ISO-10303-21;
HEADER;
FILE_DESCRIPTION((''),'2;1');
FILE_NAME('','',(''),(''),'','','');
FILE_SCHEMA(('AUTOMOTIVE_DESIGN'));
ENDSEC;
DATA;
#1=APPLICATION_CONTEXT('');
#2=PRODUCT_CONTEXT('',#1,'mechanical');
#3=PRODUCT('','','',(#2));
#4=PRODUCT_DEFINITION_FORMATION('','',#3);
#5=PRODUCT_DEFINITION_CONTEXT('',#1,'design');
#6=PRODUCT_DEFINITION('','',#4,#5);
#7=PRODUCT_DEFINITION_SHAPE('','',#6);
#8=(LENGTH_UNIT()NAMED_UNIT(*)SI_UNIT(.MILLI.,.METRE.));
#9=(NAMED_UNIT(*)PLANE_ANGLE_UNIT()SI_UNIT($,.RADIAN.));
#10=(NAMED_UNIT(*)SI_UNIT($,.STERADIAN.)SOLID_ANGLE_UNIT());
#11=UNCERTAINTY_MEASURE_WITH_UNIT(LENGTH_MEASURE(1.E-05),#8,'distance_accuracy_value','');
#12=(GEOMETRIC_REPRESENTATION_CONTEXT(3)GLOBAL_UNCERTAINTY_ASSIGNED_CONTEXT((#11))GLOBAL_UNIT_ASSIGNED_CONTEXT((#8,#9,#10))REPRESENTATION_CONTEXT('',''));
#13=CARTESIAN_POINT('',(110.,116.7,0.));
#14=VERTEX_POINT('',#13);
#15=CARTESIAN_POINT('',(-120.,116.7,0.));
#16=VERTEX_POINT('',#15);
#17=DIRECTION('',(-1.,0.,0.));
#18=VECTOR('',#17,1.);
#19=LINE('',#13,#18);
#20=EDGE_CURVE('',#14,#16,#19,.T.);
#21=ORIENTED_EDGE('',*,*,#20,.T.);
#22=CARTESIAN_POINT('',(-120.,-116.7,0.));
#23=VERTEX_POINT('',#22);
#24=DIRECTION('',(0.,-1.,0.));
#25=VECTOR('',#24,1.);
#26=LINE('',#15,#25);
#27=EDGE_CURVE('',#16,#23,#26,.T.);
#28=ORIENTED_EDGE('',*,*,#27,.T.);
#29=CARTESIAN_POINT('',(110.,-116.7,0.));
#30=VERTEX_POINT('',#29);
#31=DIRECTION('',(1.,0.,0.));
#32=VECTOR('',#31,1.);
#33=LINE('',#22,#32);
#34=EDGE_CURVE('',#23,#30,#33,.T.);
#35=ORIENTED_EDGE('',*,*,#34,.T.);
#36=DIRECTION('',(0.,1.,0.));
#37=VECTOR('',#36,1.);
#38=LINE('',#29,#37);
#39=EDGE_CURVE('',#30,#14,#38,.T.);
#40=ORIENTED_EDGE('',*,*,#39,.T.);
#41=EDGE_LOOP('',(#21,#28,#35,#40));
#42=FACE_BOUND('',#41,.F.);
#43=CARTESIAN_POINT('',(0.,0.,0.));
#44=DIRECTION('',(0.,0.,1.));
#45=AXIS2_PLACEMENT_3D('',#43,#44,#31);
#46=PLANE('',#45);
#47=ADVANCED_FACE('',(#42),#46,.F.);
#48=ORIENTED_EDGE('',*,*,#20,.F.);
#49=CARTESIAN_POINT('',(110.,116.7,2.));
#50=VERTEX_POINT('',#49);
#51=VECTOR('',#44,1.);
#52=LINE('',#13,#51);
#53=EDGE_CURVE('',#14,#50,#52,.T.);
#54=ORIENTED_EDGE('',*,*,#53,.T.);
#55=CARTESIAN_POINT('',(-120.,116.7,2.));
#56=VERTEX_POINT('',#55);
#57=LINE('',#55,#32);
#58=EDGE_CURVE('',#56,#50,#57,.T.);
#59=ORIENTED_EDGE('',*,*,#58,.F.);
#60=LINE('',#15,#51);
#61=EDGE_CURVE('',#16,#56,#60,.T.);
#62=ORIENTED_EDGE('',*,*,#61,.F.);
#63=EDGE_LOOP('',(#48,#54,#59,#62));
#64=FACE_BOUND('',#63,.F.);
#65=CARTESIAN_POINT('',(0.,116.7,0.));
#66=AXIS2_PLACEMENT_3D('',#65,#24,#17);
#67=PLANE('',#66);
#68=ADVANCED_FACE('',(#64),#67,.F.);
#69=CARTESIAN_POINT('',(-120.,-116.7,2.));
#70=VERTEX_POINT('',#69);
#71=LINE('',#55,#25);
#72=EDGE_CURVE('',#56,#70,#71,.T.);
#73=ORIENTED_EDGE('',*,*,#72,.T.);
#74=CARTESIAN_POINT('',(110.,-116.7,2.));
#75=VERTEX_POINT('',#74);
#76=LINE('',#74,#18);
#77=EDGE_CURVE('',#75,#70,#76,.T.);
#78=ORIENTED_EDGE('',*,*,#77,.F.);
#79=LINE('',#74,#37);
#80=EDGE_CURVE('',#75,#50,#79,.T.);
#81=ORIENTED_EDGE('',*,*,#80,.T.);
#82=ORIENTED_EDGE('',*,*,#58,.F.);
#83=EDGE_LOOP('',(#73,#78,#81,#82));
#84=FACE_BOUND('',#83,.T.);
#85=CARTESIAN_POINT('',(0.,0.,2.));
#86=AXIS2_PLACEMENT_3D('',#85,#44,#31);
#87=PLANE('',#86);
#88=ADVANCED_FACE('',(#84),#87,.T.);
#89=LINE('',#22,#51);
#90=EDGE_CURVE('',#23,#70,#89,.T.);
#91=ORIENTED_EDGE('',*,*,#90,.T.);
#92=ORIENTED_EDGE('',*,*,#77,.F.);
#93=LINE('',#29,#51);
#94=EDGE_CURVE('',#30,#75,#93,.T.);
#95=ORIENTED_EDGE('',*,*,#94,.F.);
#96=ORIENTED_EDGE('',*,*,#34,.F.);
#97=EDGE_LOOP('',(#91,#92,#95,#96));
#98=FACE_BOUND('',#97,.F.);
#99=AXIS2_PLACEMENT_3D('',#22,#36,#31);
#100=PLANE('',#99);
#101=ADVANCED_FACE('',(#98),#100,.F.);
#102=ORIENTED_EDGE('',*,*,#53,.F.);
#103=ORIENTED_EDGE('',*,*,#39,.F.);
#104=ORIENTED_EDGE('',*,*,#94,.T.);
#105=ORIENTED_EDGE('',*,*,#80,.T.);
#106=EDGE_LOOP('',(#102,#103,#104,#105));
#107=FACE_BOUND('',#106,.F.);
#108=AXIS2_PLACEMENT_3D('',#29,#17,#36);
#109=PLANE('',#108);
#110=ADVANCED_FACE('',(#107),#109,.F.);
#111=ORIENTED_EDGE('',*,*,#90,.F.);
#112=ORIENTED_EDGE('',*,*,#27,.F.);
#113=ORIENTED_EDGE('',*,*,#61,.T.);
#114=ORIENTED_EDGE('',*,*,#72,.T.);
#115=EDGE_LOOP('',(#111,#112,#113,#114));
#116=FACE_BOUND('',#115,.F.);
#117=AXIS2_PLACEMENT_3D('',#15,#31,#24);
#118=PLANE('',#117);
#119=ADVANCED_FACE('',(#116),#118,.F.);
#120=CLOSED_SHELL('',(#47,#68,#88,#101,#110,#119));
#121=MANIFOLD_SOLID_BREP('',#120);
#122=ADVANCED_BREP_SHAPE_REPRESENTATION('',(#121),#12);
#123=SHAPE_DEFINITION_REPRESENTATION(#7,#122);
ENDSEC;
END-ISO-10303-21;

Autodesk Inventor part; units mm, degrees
ref_plane "YZ Plane" through (0, 0, 0) normal (1, 0, 0) x (0, 1, 0)
ref_plane "XZ Plane" through (0, 0, 0) normal (0, 1, 0) x (-1, 0, 0)
ref_plane "XY Plane" through (0, 0, 0) normal (0, 0, 1) x (1, 0, 0)
sketch "Routing Outline1_Bottom" plane through (0, 0, 0) normal (0, 0, 1) x (1, 0, 0)
  line L0 (-120, -116.7) -> (110, -116.7)
  line L1 (110, -116.7) -> (110, 116.7)
  line L2 (110, 116.7) -> (-120, 116.7)
  line L3 (-120, 116.7) -> (-120, -116.7)
  line L4 (-120, 0) -> (110, 0) construction
  line L5 (-5, 116.7) -> (-5, -116.7) construction
  line L6 (0, -163.38) -> (0, 163.38) projected
  point P0 (-5, 0)
  point P1 (0, 116.7)
  dimension "d6" = 116.7
  dimension "d10" = 115
  dimension "d11" = 5
extrude "Extrusion1" add sketch "Routing Outline1_Bottom" along normal blind 2
properties part number "spin4v23.brd_Routing Outlines1"
